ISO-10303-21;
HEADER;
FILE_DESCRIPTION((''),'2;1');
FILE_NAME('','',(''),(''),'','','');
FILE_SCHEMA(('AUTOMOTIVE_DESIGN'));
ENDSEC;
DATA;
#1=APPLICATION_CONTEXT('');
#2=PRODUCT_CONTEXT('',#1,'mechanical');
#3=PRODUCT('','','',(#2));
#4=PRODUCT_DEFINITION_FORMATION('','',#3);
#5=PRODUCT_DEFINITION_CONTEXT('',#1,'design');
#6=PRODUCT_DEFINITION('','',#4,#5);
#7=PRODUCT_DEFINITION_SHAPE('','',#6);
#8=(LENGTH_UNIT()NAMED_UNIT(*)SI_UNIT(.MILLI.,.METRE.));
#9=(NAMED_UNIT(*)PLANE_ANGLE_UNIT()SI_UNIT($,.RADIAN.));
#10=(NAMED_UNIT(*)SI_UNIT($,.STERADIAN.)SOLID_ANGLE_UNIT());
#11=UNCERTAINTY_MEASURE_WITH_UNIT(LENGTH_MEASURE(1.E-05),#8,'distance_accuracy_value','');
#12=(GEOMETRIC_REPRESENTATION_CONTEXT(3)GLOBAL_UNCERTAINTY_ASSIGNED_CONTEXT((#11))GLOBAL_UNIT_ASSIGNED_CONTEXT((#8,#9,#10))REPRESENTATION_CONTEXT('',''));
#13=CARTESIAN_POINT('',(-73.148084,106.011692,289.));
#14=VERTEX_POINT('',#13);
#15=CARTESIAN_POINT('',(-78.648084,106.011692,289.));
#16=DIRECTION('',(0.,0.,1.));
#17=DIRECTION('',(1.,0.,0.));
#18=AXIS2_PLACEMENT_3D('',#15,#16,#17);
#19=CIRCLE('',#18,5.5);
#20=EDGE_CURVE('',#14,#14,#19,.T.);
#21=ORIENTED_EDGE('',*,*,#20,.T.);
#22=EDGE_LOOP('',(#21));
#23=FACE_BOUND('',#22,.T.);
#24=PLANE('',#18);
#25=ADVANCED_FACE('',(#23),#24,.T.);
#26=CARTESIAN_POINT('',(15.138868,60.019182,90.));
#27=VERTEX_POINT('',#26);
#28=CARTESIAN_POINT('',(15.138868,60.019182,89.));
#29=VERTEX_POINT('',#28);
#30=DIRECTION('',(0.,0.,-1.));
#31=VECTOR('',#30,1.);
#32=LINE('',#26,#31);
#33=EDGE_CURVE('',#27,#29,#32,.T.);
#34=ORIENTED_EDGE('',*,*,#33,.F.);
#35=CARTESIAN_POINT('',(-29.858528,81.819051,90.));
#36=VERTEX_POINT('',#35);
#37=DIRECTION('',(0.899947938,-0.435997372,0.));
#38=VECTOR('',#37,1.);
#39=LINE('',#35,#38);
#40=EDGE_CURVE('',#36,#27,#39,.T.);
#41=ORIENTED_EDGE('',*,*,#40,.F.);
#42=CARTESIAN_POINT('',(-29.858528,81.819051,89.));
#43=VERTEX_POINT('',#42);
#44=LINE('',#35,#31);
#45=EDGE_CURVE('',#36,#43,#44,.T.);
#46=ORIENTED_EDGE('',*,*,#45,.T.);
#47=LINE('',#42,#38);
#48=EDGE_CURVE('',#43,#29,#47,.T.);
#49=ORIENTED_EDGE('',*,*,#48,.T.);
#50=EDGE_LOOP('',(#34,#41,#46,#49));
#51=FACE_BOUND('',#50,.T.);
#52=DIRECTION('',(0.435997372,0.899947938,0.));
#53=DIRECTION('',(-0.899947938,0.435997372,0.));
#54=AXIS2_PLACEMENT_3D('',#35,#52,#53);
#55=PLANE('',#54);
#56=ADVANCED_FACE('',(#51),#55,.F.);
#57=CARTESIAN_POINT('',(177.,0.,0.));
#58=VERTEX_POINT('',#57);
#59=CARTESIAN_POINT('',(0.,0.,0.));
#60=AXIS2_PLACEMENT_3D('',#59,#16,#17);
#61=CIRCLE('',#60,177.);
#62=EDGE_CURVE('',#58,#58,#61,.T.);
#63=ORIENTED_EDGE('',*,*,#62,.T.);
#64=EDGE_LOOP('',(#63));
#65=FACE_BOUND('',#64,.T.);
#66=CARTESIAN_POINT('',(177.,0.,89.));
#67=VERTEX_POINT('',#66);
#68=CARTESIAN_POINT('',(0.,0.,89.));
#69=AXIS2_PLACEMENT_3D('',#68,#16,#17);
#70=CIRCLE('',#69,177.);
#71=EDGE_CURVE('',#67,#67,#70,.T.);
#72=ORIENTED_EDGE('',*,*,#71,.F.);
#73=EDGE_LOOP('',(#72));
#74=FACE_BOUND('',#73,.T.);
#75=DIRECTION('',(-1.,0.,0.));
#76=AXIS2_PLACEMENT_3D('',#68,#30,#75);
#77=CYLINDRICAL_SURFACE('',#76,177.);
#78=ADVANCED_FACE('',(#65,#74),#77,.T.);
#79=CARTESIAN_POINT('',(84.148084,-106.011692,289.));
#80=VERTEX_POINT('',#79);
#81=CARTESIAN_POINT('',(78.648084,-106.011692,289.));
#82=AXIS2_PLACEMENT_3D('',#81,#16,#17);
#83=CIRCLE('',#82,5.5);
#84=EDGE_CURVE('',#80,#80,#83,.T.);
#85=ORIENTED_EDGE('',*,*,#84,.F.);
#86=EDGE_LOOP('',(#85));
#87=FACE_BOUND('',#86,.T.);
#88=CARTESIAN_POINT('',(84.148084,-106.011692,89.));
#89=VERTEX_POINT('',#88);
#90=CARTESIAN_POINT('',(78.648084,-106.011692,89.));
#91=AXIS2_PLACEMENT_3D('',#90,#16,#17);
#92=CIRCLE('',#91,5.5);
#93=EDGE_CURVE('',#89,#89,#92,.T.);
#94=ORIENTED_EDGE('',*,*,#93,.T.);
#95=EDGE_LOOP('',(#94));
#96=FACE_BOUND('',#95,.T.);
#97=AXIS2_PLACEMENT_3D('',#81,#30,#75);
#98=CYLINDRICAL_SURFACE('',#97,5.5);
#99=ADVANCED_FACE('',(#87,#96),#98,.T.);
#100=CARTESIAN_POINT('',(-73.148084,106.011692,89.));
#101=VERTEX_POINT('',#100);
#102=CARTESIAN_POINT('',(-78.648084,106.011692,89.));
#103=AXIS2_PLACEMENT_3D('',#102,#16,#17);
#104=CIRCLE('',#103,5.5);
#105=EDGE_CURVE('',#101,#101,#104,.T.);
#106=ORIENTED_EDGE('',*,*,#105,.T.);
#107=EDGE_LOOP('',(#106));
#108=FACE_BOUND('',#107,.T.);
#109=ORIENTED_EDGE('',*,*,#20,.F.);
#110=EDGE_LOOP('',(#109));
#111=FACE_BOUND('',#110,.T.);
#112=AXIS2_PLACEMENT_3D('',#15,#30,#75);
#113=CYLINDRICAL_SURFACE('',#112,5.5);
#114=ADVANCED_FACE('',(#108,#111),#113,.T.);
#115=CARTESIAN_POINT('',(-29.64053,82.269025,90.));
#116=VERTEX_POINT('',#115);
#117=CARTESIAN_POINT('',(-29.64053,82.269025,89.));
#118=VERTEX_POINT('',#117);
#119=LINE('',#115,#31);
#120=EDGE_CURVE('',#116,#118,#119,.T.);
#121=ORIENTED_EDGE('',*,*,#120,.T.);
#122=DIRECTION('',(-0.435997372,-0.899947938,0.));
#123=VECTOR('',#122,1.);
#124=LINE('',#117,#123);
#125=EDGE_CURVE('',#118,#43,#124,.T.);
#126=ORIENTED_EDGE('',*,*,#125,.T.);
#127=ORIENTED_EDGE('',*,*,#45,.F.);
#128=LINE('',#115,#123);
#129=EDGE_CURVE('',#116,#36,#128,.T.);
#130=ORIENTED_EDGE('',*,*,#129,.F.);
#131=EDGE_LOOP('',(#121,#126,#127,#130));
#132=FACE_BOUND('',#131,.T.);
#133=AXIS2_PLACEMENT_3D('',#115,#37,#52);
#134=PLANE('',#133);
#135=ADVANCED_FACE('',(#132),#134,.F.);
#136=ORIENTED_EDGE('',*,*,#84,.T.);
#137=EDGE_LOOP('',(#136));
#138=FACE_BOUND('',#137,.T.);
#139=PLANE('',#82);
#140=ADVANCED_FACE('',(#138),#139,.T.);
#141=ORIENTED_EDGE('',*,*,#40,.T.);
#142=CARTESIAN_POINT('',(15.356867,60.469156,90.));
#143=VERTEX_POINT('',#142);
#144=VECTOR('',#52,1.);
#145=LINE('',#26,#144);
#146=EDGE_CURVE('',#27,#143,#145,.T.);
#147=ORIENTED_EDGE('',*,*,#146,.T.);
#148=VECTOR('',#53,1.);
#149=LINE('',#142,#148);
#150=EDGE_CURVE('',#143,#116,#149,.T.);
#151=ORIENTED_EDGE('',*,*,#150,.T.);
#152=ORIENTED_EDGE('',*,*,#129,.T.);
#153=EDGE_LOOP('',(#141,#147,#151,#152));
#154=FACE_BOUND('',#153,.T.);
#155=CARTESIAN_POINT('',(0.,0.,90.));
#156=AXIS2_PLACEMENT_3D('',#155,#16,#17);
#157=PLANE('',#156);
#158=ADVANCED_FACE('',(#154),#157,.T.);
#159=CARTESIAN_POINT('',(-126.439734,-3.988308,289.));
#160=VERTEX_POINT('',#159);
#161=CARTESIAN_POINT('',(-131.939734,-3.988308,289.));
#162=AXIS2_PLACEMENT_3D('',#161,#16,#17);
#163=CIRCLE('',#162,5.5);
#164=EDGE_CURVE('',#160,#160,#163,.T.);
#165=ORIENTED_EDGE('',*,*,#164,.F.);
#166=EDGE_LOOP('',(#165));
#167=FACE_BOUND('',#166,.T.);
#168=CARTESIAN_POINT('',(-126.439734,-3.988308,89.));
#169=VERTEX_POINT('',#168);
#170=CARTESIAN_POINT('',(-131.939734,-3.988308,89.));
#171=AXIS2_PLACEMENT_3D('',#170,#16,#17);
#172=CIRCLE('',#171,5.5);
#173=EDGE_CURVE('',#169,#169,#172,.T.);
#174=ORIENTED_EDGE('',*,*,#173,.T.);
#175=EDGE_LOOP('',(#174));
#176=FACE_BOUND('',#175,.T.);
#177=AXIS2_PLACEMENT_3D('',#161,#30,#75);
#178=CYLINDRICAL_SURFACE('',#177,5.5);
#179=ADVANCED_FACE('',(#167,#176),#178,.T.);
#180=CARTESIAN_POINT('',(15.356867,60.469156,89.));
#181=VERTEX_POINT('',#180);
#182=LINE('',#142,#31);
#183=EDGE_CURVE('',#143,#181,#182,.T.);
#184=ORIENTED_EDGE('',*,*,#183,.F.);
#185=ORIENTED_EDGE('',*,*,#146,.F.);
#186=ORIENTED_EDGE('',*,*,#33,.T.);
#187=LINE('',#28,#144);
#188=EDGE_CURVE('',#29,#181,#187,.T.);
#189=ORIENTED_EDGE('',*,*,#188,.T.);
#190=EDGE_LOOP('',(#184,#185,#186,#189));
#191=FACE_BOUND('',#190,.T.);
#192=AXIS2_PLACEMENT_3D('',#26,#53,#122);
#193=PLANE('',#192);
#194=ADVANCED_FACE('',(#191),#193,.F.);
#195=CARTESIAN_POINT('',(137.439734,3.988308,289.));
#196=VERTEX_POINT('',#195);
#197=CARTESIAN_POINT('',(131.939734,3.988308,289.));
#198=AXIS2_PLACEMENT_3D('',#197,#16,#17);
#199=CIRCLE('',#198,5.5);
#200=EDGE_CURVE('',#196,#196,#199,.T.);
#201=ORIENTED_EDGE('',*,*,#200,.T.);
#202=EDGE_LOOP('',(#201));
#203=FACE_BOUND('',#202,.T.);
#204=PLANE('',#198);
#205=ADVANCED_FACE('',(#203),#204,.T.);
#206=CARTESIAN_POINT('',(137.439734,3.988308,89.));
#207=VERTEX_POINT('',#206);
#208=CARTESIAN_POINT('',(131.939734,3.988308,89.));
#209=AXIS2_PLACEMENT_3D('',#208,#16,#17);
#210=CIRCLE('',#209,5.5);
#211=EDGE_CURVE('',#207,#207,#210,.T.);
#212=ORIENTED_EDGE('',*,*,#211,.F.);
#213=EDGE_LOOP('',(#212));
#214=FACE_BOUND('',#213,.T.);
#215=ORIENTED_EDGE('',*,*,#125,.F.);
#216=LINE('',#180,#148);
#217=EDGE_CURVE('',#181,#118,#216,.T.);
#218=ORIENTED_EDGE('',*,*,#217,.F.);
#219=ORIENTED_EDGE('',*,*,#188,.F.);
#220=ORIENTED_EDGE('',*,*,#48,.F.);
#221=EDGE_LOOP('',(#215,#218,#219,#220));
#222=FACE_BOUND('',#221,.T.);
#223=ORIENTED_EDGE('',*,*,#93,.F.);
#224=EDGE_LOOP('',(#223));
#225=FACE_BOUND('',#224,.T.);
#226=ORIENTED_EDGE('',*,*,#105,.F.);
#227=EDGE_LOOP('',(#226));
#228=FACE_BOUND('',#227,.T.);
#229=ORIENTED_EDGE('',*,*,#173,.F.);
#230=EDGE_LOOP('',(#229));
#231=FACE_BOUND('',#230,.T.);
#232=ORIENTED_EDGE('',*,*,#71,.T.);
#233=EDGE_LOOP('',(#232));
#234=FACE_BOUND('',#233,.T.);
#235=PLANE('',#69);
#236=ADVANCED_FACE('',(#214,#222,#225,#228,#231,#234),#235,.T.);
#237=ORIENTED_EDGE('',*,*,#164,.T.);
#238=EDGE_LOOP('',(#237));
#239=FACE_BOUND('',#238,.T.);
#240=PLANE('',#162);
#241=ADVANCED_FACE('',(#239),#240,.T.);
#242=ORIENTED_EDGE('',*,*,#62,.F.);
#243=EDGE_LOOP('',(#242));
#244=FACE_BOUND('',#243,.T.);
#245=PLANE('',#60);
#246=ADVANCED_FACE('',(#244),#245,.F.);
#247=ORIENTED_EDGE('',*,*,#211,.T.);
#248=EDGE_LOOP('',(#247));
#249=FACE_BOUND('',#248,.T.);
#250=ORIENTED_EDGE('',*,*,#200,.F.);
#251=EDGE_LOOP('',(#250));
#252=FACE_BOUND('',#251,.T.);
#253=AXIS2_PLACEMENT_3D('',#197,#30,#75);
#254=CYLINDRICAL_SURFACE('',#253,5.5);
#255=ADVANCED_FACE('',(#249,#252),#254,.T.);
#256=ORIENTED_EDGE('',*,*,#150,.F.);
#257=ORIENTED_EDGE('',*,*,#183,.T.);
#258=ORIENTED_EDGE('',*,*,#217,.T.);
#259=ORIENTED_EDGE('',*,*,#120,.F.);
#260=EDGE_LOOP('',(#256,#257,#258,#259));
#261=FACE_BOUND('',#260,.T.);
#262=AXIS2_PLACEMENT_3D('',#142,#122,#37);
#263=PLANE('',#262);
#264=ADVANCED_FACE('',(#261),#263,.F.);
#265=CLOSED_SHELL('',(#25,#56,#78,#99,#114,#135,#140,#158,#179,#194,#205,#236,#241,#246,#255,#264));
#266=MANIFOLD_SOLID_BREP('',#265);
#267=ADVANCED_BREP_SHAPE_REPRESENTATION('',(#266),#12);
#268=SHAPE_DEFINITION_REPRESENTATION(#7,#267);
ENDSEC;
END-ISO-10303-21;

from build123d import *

# Parameters (mm, degrees)
ESQUISSE1_R        = 177
BOSS_EXTRU_1_DEPTH = 89
ESQUISSE2_R        = 5.5
BOSS_EXTRU_2_DEPTH = 200
BOSS_EXTRU_4_DEPTH = 1


with BuildPart() as part:
    # Esquisse1 → Boss.-Extru.1 (new body)
    with BuildSketch(Plane.XY):
        Circle(ESQUISSE1_R)
    extrude(amount=BOSS_EXTRU_1_DEPTH)

    # Esquisse2 → Boss.-Extru.2 (add)
    with BuildSketch(Plane.XY.offset(89)):
        with Locations((-131.939733982, -3.988307506)):
            Circle(ESQUISSE2_R)
        with Locations((78.648083604, -106.011692494)):
            Circle(ESQUISSE2_R)
        with Locations((131.939733982, 3.988307506)):
            Circle(ESQUISSE2_R)
        with Locations((-78.648083604, 106.011692494)):
            Circle(ESQUISSE2_R)
    extrude(amount=BOSS_EXTRU_2_DEPTH)

    # Esquisse4 → Boss.-Extru.4 (add)
    with BuildSketch(Plane.XY.offset(89)):
        Polygon((-29.640529762, 82.269024992), (-29.858528448, 81.819051023), (15.138868472, 60.019182436), (15.356867158, 60.469156405), align=None)
    extrude(amount=BOSS_EXTRU_4_DEPTH)


solid = part.part
